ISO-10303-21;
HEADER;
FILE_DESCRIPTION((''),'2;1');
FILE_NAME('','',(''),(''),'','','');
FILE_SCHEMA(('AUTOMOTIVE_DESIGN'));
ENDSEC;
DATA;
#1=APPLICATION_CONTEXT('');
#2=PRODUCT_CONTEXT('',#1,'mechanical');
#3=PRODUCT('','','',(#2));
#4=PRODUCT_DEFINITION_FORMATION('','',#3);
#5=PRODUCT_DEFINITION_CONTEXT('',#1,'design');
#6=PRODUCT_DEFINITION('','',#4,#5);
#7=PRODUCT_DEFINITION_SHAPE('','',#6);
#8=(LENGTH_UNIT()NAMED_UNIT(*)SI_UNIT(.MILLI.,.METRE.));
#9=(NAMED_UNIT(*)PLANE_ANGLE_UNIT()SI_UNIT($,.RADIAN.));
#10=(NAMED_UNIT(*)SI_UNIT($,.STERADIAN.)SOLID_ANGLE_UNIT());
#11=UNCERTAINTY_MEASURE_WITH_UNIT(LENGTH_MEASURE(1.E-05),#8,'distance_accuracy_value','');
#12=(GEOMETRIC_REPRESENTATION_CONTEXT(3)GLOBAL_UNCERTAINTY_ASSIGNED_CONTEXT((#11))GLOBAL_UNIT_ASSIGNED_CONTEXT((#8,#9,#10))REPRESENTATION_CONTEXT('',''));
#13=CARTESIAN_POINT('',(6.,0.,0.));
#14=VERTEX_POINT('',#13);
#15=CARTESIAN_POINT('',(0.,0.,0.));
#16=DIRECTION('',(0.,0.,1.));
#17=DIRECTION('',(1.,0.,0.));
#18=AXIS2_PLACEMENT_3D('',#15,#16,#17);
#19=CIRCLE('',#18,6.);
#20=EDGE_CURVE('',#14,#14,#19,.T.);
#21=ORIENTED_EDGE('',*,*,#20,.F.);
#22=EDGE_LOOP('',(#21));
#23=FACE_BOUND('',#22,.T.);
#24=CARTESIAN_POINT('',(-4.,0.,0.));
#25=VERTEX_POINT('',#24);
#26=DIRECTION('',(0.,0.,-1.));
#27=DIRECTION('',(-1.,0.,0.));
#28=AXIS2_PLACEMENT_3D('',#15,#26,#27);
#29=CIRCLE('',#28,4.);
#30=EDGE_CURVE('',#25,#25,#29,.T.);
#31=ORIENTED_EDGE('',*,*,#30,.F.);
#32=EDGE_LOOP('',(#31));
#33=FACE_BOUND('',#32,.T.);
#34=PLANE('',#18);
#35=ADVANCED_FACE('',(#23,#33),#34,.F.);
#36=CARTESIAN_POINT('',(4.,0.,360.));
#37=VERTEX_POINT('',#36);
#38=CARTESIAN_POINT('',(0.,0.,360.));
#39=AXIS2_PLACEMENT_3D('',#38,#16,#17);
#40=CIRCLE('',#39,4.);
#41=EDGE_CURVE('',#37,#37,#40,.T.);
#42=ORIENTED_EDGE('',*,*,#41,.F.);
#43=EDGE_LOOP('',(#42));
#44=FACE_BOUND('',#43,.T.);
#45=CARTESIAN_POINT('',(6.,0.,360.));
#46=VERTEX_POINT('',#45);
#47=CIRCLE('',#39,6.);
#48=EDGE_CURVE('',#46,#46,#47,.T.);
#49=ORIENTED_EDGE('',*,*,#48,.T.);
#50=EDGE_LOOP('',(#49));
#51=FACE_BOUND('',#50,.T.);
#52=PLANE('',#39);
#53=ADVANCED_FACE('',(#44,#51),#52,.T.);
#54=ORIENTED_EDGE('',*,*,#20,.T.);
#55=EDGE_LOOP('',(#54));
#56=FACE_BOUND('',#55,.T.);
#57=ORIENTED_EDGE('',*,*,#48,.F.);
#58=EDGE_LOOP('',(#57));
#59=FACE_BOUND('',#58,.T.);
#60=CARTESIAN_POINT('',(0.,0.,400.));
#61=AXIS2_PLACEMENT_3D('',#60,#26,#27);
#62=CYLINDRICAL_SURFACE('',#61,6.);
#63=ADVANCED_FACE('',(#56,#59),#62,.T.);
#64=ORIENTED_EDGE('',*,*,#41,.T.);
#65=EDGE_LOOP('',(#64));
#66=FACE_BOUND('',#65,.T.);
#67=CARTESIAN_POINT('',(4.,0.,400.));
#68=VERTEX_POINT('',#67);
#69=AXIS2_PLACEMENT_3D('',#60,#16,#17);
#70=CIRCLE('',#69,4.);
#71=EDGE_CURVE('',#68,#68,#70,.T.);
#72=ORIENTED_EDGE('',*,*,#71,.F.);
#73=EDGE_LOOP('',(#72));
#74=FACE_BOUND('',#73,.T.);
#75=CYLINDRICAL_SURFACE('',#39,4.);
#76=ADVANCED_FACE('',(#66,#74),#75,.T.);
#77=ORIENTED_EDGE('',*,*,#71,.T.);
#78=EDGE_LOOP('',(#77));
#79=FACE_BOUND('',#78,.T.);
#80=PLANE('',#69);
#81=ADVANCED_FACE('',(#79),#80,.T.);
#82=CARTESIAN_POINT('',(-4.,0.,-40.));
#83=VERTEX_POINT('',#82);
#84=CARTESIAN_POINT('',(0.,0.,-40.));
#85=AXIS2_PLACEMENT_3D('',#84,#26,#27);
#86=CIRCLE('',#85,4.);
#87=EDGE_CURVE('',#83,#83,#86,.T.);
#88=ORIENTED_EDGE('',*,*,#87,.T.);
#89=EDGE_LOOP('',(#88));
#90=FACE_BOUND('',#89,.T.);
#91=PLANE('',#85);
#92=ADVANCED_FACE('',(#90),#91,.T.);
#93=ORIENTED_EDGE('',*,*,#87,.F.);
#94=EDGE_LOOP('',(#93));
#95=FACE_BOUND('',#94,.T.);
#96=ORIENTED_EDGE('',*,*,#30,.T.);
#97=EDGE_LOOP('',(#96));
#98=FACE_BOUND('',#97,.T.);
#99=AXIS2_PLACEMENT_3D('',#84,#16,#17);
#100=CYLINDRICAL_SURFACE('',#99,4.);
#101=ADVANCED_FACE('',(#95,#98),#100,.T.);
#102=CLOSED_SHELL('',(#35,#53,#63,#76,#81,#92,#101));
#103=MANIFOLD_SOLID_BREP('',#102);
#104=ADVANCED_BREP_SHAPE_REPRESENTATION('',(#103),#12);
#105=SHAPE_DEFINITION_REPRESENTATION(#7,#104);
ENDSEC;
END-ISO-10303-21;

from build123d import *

# Parameters (mm, degrees)
CROQUIS1_R              = 6
SALIENTE_EXTRUIR1_DEPTH = 400
CROQUIS2_OUTSIDE_W      = 94.072
CROQUIS2_OUTSIDE_H      = 94.072
CROQUIS2_OUTSIDE_R      = 4
CORTAR_EXTRUIR3_DEPTH   = 40
CROQUIS3_R              = 4
SALIENTE_EXTRUIR2_DEPTH = 40


with BuildPart() as part:
    # Croquis1 → Saliente-Extruir1 (new body)
    with BuildSketch(Plane.XY):
        Circle(CROQUIS1_R)
    extrude(amount=SALIENTE_EXTRUIR1_DEPTH)

    # Croquis2 outside → Cortar-Extruir3 (cut)
    with BuildSketch(Plane.XY.offset(400)):
        Rectangle(CROQUIS2_OUTSIDE_W, CROQUIS2_OUTSIDE_H)
        Circle(CROQUIS2_OUTSIDE_R, mode=Mode.SUBTRACT)
    extrude(amount=-CORTAR_EXTRUIR3_DEPTH, mode=Mode.SUBTRACT)

    # Croquis3 → Saliente-Extruir2 (add)
    with BuildSketch(Plane(origin=(0, 0, 0), x_dir=(-1, 0, 0), z_dir=(0, 0, -1))):
        with Locations(Location((0, 0, 0), (0, 0, 180))):
            Circle(CROQUIS3_R)
    extrude(amount=SALIENTE_EXTRUIR2_DEPTH)


solid = part.part
